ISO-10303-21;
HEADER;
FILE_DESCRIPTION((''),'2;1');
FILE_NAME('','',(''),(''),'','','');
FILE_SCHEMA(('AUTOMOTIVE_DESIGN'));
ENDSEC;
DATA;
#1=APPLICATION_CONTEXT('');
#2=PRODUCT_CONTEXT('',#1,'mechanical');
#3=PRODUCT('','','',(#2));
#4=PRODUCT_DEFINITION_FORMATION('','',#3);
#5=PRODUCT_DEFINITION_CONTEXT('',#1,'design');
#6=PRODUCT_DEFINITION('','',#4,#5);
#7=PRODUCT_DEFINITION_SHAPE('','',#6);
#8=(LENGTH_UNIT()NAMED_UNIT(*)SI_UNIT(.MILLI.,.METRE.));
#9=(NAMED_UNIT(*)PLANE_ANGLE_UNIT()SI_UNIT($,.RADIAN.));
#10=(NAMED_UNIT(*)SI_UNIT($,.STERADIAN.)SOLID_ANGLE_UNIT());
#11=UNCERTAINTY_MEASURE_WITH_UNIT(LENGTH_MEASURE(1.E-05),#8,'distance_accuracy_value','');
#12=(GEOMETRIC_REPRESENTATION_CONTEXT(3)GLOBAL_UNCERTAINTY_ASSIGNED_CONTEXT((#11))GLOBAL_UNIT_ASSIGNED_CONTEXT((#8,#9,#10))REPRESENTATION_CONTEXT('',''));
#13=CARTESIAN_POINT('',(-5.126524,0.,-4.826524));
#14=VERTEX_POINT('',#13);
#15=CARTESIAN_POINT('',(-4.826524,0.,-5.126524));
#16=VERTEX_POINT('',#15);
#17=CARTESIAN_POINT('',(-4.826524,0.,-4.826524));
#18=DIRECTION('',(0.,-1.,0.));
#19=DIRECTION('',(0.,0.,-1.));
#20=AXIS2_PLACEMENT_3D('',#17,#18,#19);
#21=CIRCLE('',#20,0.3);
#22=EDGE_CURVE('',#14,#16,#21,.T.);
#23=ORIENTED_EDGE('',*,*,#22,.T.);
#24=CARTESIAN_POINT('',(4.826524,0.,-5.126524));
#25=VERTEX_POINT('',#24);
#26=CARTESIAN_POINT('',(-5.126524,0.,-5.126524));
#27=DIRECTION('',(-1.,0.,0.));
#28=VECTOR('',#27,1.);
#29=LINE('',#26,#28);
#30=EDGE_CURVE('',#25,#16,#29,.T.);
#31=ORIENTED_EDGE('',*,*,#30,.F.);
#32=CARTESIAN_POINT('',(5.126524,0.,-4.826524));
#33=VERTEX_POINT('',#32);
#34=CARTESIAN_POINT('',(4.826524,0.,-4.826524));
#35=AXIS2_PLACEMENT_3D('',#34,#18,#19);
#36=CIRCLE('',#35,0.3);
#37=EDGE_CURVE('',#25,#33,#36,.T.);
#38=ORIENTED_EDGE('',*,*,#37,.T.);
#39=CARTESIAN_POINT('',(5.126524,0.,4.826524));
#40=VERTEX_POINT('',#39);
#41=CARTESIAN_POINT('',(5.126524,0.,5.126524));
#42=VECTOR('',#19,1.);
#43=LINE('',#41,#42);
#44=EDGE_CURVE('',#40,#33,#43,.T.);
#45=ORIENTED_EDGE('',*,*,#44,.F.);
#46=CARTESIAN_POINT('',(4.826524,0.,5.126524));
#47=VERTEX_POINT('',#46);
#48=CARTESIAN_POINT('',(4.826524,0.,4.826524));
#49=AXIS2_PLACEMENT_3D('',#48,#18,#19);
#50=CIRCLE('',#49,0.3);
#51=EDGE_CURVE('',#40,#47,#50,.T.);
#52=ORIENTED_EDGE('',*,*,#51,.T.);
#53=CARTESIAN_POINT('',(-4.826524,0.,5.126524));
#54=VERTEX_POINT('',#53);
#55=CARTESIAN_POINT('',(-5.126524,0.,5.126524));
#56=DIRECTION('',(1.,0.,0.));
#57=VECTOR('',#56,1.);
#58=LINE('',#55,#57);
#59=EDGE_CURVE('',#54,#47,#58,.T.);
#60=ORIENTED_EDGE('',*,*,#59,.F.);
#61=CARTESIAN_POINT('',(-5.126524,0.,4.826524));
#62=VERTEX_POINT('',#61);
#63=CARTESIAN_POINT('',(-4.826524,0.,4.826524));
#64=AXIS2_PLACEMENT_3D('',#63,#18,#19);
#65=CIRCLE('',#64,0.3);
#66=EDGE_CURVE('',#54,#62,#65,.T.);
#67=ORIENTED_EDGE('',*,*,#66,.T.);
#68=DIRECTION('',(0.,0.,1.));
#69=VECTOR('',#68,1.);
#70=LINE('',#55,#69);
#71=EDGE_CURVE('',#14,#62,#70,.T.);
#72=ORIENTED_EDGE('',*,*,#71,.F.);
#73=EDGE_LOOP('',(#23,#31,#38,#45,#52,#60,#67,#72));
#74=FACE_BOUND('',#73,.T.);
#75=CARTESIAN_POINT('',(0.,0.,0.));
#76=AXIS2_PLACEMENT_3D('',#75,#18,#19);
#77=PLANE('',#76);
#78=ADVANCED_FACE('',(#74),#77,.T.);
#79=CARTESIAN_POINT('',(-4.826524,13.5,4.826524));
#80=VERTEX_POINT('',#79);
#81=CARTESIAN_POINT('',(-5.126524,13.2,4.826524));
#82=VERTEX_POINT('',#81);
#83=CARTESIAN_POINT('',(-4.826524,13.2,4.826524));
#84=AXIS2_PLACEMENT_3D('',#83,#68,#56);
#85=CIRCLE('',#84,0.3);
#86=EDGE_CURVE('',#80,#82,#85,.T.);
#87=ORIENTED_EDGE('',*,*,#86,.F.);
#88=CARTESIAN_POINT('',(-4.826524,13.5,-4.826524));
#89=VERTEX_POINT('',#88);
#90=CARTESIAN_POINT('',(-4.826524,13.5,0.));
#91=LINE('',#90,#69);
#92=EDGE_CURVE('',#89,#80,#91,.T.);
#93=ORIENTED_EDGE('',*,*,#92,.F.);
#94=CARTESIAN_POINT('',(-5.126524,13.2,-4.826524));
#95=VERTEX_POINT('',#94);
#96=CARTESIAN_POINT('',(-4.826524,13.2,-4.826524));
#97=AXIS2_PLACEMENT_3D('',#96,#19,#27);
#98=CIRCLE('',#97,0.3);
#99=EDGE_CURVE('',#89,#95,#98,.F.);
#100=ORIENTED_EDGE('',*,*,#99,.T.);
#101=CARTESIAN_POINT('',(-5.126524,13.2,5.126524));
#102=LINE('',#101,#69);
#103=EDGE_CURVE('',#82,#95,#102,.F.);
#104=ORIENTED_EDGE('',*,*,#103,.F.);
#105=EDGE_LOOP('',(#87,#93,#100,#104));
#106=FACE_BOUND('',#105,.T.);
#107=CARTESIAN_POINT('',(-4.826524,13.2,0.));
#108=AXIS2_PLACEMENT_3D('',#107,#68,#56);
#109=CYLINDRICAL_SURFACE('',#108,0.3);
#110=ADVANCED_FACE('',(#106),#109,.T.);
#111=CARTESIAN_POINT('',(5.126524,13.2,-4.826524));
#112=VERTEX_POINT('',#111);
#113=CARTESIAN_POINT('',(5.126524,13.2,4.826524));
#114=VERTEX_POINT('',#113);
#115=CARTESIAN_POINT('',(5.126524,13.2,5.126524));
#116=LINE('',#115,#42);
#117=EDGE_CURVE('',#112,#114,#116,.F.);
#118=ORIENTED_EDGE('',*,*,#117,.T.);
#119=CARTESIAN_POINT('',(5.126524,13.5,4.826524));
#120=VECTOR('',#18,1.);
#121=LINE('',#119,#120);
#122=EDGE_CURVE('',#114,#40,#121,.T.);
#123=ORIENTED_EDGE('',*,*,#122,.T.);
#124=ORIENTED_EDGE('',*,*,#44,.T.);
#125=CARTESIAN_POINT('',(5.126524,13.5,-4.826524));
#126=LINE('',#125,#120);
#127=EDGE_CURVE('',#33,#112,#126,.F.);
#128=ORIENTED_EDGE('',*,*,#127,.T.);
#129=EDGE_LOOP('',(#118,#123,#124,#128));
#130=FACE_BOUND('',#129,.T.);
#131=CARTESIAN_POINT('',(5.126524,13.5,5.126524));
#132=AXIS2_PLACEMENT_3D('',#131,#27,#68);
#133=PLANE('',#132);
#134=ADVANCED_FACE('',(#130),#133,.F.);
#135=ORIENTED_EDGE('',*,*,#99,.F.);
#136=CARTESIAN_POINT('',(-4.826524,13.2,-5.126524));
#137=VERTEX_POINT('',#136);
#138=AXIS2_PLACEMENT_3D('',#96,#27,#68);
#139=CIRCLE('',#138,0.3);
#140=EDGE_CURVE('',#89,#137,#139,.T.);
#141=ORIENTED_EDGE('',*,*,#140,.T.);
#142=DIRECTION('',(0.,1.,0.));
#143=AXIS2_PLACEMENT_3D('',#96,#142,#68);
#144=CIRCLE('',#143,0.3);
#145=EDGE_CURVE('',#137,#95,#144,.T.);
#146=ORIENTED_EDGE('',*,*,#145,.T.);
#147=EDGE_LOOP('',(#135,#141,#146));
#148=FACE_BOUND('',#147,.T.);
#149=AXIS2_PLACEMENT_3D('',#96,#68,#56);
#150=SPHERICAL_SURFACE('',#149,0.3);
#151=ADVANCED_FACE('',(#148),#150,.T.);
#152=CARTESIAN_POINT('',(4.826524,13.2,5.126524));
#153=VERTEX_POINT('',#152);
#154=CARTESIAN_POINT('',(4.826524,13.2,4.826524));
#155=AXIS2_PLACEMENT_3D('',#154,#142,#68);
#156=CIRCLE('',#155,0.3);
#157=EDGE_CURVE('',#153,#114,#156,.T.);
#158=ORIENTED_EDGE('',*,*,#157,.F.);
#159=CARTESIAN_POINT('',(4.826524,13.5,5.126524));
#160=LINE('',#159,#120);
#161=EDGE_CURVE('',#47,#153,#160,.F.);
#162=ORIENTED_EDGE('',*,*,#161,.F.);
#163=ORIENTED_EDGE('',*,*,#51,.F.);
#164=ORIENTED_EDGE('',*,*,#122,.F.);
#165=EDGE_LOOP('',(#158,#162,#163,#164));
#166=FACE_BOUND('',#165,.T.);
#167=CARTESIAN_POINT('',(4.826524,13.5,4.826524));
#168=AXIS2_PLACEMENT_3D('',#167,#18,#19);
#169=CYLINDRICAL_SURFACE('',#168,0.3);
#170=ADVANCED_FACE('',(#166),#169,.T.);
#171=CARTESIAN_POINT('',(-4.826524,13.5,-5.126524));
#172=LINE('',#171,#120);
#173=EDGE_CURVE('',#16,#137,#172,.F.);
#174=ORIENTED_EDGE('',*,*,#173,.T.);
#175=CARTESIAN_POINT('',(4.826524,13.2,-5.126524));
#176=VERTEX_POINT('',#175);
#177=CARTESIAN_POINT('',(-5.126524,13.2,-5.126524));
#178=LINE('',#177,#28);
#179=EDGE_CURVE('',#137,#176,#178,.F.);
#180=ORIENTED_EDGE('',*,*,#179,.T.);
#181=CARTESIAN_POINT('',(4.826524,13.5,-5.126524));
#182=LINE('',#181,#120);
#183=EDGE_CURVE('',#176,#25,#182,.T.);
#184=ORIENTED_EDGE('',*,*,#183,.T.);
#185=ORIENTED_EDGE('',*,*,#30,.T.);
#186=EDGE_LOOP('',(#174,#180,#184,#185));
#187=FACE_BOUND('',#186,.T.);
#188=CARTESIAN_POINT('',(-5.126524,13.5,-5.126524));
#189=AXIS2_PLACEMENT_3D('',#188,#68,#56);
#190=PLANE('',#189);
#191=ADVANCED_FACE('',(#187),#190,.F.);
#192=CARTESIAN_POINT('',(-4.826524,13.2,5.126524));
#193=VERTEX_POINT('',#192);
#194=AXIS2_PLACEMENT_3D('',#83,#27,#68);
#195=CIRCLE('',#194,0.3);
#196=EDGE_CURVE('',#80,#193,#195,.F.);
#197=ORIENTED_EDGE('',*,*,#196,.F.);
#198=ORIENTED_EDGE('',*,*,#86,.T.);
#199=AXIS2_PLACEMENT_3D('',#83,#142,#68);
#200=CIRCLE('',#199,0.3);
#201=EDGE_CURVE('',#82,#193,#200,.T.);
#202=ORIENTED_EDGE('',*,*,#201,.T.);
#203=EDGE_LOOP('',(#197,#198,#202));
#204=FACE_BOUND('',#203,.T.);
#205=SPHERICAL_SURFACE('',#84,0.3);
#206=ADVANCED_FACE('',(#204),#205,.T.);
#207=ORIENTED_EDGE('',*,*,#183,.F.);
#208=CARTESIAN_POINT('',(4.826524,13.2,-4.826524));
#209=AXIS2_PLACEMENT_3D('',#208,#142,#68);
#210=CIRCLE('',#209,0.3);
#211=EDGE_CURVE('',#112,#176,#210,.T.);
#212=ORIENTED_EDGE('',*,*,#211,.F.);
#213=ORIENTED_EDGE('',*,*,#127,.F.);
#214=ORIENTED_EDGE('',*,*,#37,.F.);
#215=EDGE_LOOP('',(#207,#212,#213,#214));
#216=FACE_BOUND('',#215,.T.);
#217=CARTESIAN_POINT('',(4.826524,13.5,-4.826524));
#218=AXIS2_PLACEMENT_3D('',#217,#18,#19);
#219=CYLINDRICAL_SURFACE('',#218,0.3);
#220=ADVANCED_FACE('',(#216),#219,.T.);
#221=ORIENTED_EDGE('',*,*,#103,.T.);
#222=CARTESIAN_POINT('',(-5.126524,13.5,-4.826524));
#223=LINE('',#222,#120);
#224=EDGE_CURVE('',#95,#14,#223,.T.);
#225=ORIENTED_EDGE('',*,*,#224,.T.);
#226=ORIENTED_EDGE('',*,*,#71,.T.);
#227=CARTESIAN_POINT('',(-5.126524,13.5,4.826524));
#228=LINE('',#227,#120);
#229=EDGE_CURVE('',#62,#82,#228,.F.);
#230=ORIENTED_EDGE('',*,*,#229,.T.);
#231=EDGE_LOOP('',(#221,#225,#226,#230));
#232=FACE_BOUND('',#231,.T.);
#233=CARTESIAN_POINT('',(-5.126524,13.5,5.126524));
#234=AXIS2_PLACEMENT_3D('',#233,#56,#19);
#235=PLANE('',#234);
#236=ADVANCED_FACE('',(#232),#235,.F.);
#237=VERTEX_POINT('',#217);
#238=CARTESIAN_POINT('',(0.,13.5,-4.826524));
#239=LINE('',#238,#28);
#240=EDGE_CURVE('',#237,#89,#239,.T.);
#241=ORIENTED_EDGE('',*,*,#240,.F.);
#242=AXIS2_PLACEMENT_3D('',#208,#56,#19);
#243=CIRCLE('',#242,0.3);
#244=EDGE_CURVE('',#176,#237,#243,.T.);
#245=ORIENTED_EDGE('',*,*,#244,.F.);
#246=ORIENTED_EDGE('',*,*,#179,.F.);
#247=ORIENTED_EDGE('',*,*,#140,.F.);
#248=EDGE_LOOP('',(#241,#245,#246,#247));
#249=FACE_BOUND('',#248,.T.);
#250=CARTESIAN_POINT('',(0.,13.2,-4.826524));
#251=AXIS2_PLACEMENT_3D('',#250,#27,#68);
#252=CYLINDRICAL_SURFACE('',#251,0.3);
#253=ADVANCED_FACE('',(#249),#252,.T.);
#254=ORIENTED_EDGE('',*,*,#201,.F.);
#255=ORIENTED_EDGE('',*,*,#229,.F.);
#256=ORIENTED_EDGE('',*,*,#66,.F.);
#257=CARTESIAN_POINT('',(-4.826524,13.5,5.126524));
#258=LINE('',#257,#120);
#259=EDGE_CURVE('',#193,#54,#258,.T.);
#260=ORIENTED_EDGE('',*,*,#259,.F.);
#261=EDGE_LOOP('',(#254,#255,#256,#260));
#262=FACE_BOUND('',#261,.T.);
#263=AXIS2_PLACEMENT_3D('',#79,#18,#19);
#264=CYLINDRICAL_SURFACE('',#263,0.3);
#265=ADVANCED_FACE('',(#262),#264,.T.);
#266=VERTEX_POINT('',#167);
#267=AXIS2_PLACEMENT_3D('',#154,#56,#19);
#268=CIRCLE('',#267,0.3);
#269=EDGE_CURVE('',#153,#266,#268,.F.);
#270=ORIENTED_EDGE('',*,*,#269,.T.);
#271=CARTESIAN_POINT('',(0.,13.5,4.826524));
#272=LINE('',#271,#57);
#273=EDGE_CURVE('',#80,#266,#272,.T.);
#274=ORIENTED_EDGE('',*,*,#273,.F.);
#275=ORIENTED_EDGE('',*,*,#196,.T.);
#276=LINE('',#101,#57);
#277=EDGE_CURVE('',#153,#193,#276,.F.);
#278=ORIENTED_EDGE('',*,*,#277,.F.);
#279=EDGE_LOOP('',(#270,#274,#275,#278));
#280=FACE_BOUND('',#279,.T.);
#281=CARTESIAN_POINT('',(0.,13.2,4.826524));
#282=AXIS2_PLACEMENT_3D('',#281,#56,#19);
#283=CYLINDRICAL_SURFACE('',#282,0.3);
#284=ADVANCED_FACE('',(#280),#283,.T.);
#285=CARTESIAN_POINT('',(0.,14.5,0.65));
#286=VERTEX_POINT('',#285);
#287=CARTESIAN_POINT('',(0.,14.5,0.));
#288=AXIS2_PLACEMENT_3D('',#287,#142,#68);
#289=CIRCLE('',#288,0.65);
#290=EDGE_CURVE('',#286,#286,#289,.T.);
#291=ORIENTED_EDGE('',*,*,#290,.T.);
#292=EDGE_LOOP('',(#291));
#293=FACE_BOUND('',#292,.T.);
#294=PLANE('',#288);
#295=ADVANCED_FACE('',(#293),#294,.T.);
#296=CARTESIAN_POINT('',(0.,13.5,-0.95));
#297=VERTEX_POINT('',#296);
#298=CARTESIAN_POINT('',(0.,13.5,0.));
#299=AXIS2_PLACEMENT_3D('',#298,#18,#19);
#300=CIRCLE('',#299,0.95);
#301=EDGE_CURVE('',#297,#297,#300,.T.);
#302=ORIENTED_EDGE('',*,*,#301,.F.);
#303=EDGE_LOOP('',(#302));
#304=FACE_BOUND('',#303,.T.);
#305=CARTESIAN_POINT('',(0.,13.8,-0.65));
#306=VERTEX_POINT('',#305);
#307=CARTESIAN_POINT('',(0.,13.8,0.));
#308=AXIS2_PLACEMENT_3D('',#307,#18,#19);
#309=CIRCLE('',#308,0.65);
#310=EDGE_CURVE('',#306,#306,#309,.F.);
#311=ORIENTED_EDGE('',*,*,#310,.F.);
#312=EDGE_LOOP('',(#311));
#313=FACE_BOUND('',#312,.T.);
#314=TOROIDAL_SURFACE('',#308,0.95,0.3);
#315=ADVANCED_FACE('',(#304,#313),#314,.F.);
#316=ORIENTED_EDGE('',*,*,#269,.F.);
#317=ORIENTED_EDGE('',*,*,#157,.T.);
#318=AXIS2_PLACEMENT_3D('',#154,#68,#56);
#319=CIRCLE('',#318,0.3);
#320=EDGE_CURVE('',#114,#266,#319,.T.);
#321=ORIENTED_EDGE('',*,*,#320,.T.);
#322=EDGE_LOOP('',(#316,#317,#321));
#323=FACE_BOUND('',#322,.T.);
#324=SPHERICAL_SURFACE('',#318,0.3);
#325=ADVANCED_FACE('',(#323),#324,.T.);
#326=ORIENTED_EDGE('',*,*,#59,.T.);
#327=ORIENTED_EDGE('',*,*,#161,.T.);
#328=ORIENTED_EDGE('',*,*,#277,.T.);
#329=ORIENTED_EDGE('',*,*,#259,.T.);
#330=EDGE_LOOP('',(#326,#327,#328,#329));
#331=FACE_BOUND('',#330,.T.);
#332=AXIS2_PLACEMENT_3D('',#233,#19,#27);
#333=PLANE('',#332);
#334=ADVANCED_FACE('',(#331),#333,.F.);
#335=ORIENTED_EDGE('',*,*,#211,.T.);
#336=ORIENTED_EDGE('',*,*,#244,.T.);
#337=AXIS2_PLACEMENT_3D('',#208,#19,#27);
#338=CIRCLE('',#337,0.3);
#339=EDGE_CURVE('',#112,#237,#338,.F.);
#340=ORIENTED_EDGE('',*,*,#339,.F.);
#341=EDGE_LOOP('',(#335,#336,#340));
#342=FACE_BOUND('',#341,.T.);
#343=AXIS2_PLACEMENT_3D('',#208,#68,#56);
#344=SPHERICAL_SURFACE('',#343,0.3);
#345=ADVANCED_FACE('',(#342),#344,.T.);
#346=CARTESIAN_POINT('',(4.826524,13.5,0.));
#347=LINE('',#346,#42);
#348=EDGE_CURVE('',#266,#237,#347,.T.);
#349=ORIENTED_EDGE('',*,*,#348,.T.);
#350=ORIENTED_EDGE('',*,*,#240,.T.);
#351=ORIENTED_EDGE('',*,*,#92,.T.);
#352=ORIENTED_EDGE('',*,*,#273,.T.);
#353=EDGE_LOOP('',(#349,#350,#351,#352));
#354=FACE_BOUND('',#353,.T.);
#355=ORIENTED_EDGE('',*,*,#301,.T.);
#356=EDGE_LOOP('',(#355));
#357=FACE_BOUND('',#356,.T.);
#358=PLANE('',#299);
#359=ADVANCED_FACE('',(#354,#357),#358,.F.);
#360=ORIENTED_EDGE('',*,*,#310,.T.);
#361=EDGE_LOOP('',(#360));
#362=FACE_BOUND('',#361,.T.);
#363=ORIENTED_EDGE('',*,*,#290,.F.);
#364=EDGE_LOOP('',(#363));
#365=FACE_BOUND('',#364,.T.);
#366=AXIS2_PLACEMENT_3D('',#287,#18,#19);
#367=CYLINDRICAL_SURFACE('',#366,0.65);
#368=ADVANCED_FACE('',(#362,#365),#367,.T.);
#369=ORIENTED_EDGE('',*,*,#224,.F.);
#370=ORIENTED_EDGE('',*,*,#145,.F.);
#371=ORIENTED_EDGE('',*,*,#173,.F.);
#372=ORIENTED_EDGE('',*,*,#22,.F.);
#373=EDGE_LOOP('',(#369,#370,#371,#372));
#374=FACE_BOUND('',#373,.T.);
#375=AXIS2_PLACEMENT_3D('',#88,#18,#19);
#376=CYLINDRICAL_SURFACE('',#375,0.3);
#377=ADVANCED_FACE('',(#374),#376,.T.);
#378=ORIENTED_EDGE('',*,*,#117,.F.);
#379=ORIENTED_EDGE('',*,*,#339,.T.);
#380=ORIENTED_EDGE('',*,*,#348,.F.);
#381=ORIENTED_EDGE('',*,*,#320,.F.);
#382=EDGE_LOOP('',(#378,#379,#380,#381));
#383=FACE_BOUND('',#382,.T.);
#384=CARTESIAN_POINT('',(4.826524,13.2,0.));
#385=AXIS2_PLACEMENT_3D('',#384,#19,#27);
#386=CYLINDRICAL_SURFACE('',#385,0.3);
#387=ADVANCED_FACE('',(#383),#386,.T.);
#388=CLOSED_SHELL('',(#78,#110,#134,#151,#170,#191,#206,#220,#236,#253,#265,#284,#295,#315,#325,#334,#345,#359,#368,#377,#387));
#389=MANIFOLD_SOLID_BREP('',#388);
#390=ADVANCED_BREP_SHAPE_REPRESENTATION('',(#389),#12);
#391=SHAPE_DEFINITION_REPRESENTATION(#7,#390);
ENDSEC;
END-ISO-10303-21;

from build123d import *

# Parameters (mm, degrees)
SKETCH1_W           = 10.253048328
SKETCH1_H           = 10.253048328
BOSS_EXTRUDE1_DEPTH = 13.5
SKETCH2_R           = 0.65
BOSS_EXTRUDE2_DEPTH = 1
FILLET3_R           = 0.3


with BuildPart() as part:
    # Sketch1 → Boss-Extrude1 (new body)
    with BuildSketch(Plane(origin=(0, 0, 0), x_dir=(1, 0, 0), z_dir=(0, 1, 0))):
        Rectangle(SKETCH1_W, SKETCH1_H)
    extrude(amount=BOSS_EXTRUDE1_DEPTH)

    # Sketch2 → Boss-Extrude2 (add)
    with BuildSketch(Plane(origin=(0, 13.5, 0), x_dir=(1, 0, 0), z_dir=(0, 1, 0))):
        with Locations(Location((0, 0, 0), (0, 0, 90))):  # turned: the seam where the file's is
            Circle(SKETCH2_R)
    extrude(amount=BOSS_EXTRUDE2_DEPTH)

    # Fillet3
    fillet3_edges = [part.edges().sort_by_distance(p)[0] for p in [
        (-5.126524164, 13.5, 0),
        (0, 13.5, 0.65),
        (0, 13.5, 5.126524164),
        (5.126524164, 13.5, 0),
        (5.126524164, 6.75, 5.126524164),
        (-5.126524164, 6.75, 5.126524164),
        (-5.126524164, 6.75, -5.126524164),
        (5.126524164, 6.75, -5.126524164),
        (0, 13.5, -5.126524164),
    ]]
    fillet(fillet3_edges, radius=FILLET3_R)


solid = part.part
